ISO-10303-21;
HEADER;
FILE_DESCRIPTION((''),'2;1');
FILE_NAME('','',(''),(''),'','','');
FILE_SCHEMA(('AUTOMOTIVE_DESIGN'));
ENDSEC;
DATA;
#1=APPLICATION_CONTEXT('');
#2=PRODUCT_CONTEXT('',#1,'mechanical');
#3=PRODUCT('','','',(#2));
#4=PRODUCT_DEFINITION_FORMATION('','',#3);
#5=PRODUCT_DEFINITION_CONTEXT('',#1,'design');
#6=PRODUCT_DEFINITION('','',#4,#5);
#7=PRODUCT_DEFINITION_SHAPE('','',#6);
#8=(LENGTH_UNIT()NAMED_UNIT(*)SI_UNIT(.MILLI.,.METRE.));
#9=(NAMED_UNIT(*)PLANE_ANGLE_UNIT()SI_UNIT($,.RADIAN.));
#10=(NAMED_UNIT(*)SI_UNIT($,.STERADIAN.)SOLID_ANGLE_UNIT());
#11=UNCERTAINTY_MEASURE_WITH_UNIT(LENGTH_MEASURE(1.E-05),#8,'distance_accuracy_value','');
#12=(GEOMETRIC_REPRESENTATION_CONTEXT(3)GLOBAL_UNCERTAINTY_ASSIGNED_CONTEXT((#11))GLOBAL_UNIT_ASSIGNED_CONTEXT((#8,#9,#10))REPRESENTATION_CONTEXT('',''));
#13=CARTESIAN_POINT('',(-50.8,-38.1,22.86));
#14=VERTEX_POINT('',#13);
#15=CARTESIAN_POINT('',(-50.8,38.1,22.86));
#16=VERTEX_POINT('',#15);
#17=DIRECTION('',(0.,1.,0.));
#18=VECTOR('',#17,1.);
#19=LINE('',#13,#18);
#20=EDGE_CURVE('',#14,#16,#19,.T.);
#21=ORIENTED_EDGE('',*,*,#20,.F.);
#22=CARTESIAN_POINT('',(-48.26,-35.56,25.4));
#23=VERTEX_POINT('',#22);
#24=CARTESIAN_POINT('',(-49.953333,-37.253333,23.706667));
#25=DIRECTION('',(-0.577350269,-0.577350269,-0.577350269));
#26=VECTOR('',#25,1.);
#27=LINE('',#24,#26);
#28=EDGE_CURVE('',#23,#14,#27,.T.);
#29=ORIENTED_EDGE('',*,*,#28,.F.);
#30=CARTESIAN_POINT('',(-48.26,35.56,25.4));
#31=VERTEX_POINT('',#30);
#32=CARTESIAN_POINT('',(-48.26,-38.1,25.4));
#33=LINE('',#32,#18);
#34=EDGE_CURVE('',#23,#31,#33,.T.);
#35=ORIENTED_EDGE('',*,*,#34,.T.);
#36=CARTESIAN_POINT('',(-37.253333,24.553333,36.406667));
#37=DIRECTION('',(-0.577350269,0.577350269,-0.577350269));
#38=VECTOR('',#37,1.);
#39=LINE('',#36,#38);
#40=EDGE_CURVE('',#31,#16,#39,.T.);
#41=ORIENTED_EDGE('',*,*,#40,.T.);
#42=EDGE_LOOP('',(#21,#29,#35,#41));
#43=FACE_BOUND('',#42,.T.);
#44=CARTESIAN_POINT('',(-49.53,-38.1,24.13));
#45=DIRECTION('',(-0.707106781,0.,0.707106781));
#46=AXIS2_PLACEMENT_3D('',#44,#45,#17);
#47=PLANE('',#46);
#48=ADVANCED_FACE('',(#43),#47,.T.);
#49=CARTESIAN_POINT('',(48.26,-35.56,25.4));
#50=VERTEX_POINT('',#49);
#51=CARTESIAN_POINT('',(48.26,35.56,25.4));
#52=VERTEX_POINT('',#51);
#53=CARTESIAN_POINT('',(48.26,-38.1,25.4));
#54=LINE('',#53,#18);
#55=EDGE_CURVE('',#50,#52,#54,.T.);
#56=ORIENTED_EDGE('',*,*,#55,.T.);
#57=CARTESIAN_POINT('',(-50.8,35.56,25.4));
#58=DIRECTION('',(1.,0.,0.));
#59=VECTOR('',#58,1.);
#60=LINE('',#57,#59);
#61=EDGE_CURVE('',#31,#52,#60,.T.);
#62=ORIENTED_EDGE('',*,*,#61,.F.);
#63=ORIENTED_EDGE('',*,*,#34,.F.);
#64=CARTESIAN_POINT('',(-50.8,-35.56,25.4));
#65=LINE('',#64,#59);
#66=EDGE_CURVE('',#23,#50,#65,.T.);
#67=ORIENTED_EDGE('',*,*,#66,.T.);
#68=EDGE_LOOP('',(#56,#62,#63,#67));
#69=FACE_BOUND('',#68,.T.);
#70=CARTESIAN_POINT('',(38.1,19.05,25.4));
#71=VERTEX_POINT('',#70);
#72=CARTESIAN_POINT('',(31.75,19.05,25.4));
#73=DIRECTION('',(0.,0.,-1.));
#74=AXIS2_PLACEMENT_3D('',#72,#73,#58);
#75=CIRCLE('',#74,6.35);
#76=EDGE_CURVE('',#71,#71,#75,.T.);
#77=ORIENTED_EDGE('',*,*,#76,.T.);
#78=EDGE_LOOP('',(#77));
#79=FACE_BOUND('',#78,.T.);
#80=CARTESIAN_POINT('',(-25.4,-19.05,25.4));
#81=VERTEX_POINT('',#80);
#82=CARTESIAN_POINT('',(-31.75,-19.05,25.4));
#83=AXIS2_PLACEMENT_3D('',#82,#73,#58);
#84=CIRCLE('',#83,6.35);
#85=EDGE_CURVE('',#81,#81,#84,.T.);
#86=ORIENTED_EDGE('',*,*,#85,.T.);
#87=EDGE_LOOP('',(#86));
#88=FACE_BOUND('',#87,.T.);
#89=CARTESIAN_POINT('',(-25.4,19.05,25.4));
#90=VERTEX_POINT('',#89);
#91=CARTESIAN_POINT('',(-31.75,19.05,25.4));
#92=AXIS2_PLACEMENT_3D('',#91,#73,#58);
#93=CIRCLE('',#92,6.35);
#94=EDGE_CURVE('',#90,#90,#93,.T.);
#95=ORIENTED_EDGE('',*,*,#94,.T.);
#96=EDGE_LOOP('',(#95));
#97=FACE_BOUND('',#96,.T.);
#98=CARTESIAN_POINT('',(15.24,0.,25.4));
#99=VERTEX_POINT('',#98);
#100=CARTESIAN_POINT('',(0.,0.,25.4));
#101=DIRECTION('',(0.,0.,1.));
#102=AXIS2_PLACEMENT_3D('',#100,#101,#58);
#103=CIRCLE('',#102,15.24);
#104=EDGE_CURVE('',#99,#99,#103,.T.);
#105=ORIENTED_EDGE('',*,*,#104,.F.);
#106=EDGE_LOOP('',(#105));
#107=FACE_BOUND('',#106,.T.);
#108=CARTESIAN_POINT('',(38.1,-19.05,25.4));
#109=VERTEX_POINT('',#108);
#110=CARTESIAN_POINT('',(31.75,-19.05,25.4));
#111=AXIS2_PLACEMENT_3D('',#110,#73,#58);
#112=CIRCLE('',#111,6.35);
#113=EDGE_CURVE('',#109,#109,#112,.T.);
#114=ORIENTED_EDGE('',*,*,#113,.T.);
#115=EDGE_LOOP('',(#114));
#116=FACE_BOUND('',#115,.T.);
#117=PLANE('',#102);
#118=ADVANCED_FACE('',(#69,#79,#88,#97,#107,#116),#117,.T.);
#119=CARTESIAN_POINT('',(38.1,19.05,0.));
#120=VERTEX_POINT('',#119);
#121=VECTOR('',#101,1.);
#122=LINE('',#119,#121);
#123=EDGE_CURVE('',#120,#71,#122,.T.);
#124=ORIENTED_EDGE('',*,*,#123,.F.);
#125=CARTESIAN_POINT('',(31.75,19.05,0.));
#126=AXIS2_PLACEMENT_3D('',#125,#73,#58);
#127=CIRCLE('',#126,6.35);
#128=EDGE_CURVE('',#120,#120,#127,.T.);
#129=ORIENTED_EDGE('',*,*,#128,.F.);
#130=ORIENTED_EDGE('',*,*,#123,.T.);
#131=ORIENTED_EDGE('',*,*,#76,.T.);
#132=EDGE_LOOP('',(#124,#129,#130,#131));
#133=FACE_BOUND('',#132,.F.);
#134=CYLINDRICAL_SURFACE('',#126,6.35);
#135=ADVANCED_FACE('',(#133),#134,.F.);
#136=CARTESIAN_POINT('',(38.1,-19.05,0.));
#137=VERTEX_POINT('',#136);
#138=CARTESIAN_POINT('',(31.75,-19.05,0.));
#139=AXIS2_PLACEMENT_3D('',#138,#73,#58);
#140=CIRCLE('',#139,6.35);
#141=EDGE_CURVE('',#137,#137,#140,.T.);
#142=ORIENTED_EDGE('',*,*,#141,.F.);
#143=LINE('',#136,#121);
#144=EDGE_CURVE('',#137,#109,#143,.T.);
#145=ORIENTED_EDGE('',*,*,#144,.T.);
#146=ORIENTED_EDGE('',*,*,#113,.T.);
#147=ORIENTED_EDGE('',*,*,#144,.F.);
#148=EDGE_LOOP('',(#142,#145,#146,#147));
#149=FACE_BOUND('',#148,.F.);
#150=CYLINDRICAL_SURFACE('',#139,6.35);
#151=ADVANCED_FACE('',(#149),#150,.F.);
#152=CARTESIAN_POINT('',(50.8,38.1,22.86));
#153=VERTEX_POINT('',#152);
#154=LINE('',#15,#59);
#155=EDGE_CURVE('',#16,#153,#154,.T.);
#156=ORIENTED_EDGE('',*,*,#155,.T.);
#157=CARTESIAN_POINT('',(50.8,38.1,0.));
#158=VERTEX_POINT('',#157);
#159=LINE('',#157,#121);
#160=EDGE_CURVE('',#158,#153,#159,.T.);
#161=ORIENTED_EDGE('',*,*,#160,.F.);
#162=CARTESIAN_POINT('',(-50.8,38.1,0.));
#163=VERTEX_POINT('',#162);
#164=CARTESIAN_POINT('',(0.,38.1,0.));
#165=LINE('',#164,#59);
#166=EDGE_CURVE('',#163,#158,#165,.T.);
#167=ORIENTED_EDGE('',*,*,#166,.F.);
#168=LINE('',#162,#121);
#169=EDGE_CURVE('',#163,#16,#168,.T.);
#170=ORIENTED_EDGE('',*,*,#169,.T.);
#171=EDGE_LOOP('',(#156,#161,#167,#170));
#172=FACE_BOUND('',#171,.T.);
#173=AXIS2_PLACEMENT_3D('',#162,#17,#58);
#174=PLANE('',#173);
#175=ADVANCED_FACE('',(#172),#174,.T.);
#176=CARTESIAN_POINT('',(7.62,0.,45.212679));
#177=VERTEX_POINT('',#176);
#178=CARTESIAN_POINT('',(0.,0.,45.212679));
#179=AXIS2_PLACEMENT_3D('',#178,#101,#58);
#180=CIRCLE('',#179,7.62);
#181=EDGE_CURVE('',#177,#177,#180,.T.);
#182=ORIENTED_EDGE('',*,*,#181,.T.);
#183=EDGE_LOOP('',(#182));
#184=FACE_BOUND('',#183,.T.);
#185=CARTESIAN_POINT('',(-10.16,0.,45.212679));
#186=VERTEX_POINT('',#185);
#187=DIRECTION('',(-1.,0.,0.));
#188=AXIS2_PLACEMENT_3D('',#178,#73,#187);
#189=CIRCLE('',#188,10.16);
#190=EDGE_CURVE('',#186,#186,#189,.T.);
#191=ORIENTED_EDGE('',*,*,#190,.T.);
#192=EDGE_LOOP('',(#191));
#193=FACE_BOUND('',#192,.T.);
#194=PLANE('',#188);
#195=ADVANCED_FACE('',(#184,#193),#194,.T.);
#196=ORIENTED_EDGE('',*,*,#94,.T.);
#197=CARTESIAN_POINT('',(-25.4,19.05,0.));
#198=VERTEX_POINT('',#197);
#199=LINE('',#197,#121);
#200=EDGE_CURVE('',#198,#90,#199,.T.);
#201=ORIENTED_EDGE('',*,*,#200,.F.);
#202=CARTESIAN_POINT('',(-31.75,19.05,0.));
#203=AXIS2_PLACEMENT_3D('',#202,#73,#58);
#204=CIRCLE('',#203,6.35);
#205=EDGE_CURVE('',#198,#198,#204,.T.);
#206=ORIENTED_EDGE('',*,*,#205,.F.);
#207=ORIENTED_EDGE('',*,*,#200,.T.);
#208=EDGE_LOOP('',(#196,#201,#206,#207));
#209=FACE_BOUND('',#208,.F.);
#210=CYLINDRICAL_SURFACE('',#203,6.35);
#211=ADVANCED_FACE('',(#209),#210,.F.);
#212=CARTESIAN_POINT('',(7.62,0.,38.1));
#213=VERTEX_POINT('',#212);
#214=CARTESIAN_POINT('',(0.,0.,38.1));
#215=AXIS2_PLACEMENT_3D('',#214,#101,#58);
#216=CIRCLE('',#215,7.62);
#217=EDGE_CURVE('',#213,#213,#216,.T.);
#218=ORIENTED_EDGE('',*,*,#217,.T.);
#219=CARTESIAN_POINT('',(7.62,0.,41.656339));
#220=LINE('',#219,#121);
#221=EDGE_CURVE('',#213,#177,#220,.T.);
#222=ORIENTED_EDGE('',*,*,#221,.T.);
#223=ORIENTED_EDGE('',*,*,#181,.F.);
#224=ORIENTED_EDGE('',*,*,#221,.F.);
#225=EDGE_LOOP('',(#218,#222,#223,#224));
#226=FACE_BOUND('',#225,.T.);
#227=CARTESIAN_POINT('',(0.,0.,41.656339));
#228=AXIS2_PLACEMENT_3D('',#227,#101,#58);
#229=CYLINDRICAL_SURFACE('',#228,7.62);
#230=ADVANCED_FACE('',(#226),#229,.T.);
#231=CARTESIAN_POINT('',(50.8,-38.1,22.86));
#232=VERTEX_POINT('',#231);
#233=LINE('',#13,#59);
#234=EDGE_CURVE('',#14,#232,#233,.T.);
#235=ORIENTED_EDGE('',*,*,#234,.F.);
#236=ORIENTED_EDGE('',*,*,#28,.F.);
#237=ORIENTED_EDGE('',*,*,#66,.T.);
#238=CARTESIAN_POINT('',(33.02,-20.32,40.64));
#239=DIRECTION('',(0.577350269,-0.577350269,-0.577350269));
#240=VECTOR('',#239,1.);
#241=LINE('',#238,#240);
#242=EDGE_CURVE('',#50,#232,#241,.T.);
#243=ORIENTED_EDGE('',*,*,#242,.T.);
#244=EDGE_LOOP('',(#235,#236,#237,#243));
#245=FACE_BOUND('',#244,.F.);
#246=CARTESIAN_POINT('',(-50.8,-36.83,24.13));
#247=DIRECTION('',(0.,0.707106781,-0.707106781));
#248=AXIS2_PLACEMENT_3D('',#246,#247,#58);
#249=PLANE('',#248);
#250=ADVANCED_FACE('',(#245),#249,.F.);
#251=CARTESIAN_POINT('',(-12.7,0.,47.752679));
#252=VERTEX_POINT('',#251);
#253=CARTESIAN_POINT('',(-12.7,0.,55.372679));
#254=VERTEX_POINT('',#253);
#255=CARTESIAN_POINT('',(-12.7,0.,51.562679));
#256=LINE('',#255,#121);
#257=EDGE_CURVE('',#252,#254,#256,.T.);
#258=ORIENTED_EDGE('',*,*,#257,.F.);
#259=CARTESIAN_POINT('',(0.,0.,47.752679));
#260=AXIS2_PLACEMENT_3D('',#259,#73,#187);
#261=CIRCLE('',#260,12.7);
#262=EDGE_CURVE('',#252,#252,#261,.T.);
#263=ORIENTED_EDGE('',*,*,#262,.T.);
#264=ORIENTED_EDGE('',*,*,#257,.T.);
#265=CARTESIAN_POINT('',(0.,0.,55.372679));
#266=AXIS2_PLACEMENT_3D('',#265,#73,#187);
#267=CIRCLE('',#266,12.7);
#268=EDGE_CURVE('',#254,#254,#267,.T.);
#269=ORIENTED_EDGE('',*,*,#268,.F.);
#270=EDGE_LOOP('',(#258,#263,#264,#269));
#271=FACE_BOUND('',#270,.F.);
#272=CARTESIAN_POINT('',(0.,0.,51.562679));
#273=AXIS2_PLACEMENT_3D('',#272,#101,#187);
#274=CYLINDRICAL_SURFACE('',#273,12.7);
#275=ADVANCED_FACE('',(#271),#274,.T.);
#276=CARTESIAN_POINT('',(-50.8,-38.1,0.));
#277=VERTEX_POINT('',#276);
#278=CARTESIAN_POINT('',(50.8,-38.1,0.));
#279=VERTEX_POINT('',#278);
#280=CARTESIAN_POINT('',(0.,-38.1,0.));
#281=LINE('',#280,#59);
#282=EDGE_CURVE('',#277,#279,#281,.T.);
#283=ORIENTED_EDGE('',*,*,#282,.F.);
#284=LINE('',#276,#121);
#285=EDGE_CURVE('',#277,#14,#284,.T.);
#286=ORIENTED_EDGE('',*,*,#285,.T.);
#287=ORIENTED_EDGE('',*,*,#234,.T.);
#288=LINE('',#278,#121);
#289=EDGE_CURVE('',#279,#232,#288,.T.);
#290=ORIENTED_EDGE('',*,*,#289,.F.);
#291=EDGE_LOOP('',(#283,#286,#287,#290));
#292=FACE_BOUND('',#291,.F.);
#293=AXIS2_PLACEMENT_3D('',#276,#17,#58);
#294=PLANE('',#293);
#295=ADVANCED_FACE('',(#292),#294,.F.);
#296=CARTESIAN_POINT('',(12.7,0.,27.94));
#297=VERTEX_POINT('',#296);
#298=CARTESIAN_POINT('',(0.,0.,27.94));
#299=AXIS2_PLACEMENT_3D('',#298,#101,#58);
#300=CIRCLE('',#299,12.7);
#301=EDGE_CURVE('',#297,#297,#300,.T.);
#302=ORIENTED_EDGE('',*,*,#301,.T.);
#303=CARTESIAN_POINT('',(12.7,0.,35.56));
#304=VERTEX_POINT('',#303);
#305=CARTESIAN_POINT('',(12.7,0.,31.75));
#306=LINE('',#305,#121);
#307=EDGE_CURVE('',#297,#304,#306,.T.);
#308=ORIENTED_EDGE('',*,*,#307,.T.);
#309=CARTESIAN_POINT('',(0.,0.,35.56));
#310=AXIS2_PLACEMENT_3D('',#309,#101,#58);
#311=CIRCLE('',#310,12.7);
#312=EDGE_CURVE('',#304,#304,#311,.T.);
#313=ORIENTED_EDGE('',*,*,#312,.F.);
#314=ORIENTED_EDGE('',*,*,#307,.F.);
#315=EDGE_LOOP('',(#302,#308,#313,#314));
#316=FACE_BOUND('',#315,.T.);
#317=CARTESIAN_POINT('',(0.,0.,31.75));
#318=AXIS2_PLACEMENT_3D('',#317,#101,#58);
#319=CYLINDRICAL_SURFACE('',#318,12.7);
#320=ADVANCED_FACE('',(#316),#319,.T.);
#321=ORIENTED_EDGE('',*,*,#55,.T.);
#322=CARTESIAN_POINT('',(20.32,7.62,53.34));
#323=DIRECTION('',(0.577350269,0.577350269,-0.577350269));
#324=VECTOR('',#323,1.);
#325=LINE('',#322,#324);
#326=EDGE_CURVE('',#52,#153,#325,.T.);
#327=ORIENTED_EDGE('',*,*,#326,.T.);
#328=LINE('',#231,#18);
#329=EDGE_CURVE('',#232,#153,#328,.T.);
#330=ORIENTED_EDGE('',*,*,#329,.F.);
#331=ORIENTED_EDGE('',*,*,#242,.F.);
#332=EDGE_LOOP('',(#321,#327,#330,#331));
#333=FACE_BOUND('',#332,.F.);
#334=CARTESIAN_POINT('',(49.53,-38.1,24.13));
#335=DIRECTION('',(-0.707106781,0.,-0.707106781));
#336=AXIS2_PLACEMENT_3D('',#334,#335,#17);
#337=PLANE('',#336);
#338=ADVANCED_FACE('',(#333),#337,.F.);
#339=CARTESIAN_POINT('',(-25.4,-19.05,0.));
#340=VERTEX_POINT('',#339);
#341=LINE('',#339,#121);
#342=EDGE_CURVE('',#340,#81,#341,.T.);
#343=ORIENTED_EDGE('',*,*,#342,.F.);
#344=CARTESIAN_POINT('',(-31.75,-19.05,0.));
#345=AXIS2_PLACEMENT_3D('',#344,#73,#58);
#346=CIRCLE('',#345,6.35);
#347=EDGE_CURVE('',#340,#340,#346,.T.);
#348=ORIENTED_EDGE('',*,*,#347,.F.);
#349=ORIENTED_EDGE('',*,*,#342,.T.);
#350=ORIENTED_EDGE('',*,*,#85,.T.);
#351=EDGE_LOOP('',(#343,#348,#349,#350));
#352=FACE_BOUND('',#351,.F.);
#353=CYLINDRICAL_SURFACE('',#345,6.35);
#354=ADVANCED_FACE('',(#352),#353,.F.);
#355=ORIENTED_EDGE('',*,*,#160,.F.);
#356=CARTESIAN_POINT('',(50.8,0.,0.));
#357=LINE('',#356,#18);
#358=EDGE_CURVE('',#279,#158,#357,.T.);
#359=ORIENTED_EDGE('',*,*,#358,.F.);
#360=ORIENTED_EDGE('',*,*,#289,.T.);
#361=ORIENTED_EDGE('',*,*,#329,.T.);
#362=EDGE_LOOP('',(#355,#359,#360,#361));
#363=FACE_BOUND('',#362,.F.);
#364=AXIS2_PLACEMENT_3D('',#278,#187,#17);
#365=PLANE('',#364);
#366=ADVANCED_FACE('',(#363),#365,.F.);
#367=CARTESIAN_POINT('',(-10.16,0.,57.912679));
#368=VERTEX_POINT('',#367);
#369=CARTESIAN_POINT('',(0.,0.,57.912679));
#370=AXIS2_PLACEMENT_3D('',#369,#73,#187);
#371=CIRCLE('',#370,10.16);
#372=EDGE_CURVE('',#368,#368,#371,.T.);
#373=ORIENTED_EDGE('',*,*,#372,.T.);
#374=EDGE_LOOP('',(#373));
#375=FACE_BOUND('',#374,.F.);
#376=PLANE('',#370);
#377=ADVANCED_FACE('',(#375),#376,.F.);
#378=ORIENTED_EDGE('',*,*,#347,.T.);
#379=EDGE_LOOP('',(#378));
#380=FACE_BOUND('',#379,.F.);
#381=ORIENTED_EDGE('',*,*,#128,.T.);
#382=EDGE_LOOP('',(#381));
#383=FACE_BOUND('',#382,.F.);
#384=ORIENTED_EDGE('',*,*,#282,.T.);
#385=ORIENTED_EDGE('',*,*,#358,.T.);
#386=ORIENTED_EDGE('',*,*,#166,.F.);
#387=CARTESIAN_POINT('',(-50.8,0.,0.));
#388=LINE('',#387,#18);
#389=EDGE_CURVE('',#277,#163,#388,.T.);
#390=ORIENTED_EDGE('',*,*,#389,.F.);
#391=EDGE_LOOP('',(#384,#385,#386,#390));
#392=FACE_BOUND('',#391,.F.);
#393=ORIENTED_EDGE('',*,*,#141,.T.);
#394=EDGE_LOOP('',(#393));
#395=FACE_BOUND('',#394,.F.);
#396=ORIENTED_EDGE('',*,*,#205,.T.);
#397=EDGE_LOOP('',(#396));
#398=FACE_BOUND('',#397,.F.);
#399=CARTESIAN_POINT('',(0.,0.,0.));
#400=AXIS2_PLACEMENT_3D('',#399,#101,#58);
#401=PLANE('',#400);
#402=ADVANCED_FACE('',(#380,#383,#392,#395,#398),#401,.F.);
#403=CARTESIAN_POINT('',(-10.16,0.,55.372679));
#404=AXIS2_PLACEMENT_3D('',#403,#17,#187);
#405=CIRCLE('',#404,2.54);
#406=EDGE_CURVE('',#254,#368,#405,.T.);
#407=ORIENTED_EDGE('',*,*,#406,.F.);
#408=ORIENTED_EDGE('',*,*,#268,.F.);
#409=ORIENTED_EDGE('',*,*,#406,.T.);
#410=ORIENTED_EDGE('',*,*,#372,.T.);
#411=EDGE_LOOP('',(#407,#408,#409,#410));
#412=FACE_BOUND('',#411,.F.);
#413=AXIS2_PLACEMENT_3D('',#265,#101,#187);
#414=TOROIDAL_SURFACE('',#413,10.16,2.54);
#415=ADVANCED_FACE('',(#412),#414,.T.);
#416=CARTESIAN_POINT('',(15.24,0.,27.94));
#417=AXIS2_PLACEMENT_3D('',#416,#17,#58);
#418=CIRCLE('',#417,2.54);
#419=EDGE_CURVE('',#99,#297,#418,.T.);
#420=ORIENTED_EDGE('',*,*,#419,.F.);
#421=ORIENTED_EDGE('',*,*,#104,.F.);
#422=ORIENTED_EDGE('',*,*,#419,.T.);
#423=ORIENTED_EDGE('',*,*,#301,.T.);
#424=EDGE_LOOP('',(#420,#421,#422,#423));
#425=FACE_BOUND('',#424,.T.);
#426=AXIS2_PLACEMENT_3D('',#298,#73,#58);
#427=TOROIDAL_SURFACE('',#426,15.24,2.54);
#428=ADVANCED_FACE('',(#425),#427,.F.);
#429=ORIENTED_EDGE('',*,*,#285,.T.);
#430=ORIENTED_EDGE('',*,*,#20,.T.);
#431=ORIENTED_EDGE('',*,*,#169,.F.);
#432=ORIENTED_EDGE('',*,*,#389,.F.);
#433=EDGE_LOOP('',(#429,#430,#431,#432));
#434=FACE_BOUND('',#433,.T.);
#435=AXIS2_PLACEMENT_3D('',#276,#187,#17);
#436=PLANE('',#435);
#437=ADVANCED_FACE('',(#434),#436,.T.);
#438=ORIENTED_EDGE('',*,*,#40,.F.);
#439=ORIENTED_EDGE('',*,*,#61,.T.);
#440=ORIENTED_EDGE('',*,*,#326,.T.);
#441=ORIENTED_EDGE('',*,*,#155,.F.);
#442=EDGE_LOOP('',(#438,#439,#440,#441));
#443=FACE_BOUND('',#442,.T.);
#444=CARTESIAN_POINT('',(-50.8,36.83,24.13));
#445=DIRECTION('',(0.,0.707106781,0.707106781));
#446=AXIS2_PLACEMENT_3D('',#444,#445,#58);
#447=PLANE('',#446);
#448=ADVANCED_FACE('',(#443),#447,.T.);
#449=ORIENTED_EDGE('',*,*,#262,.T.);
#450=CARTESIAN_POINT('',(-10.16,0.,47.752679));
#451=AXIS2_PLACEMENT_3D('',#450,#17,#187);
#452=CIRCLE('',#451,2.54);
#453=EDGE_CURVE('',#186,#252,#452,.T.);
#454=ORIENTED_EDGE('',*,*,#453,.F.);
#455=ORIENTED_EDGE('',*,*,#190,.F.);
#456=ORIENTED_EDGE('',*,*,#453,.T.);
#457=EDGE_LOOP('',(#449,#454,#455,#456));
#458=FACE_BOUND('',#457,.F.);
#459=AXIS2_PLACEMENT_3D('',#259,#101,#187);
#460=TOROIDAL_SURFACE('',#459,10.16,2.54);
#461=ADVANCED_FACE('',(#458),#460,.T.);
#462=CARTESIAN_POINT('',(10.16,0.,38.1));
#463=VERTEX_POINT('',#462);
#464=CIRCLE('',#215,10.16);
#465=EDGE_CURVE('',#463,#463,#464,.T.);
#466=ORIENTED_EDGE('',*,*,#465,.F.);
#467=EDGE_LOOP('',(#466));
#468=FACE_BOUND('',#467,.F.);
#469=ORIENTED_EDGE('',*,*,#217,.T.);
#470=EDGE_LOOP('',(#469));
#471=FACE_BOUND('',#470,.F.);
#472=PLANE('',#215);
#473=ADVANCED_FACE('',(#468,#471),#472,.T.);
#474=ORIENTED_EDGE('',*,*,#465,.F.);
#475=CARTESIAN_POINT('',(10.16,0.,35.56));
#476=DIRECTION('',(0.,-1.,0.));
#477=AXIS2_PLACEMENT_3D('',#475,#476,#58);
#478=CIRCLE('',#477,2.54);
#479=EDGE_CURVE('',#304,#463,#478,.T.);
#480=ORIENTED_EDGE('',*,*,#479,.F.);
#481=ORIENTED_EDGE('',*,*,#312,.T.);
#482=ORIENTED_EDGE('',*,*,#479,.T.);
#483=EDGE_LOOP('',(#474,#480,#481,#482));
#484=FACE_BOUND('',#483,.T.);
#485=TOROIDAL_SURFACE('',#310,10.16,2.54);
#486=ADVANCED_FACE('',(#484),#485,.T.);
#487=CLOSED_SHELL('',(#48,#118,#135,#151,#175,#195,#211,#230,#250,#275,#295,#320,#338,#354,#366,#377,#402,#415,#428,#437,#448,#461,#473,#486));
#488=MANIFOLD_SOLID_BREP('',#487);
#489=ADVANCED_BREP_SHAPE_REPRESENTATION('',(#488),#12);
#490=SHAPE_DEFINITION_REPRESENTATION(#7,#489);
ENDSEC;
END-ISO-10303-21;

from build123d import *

# Parameters (mm, degrees)
F0_W     = 101.6
F0_H     = 76.2
F1_DEPTH = 25.4
F2_R     = 6.35
F3_DEPTH = 25.401
F4_W     = 12.7
F4_H     = 12.7
F6_W     = 7.62
F6_H     = 7.1126786113
F8_W     = 12.7
F8_H     = 12.7
F10_R    = 2.54
F11_SIZE = 2.54
F12_R    = 2.54


with BuildPart() as f1:
    # F0 (on Top) → F1 (new body)
    with BuildSketch(Plane.XY):
        Rectangle(F0_W, F0_H)
    extrude(amount=F1_DEPTH)

    # F2 (on face) → F3 (cut, through all)
    with BuildSketch(Plane(origin=(0, 0, 0), x_dir=(1, 0, 0), z_dir=(0, 0, -1))):
        with Locations((31.75, 19.05)):
            Circle(F2_R)
        with Locations((31.75, -19.05)):
            Circle(F2_R)
        with Locations((-31.75, -19.05)):
            Circle(F2_R)
        with Locations((-31.75, 19.05)):
            Circle(F2_R)
    extrude(amount=-F3_DEPTH, mode=Mode.SUBTRACT)

    # F4 (on Front) → F5 (revolve)
    with BuildSketch(Plane.XZ):
        with Locations((6.35, 31.75)):
            Rectangle(F4_W, F4_H)
    revolve(axis=Axis((0, 0, 31.75), (0, 0, 1)))

    # F6 (on Front) → F7 (revolve)
    with BuildSketch(Plane.XZ):
        with Locations((3.81, 41.6563393056)):
            Rectangle(F6_W, F6_H)
    revolve(axis=Axis((0, 0, 41.6563393056), (0, 0, 1)))

    # F8 (on Front) → F9 (revolve)
    with BuildSketch(Plane.XZ):
        with Locations((-6.35, 51.5626786113)):
            Rectangle(F8_W, F8_H)
    revolve(axis=Axis((0, 0, 51.5626786113), (0, 0, -1)))

    # F10
    f10_edges = [f1.edges().sort_by_distance(p)[0] for p in [
        (12.7, 0, 57.912679),
    ]]
    fillet(f10_edges, radius=F10_R)

    # F11
    f11_edges = [f1.edges().sort_by_distance(p)[0] for p in [
        (0, -38.1, 25.4),
        (-50.8, 0, 25.4),
        (0, 38.1, 25.4),
        (50.8, 0, 25.4),
    ]]
    chamfer(f11_edges, length=F11_SIZE)

    # F12
    f12_edges = [f1.edges().sort_by_distance(p)[0] for p in [
        (-12.7, 0, 25.4),
        (-12.7, 0, 38.1),
        (12.7, 0, 45.212679),
    ]]
    fillet(f12_edges, radius=F12_R)


solid = f1.part
